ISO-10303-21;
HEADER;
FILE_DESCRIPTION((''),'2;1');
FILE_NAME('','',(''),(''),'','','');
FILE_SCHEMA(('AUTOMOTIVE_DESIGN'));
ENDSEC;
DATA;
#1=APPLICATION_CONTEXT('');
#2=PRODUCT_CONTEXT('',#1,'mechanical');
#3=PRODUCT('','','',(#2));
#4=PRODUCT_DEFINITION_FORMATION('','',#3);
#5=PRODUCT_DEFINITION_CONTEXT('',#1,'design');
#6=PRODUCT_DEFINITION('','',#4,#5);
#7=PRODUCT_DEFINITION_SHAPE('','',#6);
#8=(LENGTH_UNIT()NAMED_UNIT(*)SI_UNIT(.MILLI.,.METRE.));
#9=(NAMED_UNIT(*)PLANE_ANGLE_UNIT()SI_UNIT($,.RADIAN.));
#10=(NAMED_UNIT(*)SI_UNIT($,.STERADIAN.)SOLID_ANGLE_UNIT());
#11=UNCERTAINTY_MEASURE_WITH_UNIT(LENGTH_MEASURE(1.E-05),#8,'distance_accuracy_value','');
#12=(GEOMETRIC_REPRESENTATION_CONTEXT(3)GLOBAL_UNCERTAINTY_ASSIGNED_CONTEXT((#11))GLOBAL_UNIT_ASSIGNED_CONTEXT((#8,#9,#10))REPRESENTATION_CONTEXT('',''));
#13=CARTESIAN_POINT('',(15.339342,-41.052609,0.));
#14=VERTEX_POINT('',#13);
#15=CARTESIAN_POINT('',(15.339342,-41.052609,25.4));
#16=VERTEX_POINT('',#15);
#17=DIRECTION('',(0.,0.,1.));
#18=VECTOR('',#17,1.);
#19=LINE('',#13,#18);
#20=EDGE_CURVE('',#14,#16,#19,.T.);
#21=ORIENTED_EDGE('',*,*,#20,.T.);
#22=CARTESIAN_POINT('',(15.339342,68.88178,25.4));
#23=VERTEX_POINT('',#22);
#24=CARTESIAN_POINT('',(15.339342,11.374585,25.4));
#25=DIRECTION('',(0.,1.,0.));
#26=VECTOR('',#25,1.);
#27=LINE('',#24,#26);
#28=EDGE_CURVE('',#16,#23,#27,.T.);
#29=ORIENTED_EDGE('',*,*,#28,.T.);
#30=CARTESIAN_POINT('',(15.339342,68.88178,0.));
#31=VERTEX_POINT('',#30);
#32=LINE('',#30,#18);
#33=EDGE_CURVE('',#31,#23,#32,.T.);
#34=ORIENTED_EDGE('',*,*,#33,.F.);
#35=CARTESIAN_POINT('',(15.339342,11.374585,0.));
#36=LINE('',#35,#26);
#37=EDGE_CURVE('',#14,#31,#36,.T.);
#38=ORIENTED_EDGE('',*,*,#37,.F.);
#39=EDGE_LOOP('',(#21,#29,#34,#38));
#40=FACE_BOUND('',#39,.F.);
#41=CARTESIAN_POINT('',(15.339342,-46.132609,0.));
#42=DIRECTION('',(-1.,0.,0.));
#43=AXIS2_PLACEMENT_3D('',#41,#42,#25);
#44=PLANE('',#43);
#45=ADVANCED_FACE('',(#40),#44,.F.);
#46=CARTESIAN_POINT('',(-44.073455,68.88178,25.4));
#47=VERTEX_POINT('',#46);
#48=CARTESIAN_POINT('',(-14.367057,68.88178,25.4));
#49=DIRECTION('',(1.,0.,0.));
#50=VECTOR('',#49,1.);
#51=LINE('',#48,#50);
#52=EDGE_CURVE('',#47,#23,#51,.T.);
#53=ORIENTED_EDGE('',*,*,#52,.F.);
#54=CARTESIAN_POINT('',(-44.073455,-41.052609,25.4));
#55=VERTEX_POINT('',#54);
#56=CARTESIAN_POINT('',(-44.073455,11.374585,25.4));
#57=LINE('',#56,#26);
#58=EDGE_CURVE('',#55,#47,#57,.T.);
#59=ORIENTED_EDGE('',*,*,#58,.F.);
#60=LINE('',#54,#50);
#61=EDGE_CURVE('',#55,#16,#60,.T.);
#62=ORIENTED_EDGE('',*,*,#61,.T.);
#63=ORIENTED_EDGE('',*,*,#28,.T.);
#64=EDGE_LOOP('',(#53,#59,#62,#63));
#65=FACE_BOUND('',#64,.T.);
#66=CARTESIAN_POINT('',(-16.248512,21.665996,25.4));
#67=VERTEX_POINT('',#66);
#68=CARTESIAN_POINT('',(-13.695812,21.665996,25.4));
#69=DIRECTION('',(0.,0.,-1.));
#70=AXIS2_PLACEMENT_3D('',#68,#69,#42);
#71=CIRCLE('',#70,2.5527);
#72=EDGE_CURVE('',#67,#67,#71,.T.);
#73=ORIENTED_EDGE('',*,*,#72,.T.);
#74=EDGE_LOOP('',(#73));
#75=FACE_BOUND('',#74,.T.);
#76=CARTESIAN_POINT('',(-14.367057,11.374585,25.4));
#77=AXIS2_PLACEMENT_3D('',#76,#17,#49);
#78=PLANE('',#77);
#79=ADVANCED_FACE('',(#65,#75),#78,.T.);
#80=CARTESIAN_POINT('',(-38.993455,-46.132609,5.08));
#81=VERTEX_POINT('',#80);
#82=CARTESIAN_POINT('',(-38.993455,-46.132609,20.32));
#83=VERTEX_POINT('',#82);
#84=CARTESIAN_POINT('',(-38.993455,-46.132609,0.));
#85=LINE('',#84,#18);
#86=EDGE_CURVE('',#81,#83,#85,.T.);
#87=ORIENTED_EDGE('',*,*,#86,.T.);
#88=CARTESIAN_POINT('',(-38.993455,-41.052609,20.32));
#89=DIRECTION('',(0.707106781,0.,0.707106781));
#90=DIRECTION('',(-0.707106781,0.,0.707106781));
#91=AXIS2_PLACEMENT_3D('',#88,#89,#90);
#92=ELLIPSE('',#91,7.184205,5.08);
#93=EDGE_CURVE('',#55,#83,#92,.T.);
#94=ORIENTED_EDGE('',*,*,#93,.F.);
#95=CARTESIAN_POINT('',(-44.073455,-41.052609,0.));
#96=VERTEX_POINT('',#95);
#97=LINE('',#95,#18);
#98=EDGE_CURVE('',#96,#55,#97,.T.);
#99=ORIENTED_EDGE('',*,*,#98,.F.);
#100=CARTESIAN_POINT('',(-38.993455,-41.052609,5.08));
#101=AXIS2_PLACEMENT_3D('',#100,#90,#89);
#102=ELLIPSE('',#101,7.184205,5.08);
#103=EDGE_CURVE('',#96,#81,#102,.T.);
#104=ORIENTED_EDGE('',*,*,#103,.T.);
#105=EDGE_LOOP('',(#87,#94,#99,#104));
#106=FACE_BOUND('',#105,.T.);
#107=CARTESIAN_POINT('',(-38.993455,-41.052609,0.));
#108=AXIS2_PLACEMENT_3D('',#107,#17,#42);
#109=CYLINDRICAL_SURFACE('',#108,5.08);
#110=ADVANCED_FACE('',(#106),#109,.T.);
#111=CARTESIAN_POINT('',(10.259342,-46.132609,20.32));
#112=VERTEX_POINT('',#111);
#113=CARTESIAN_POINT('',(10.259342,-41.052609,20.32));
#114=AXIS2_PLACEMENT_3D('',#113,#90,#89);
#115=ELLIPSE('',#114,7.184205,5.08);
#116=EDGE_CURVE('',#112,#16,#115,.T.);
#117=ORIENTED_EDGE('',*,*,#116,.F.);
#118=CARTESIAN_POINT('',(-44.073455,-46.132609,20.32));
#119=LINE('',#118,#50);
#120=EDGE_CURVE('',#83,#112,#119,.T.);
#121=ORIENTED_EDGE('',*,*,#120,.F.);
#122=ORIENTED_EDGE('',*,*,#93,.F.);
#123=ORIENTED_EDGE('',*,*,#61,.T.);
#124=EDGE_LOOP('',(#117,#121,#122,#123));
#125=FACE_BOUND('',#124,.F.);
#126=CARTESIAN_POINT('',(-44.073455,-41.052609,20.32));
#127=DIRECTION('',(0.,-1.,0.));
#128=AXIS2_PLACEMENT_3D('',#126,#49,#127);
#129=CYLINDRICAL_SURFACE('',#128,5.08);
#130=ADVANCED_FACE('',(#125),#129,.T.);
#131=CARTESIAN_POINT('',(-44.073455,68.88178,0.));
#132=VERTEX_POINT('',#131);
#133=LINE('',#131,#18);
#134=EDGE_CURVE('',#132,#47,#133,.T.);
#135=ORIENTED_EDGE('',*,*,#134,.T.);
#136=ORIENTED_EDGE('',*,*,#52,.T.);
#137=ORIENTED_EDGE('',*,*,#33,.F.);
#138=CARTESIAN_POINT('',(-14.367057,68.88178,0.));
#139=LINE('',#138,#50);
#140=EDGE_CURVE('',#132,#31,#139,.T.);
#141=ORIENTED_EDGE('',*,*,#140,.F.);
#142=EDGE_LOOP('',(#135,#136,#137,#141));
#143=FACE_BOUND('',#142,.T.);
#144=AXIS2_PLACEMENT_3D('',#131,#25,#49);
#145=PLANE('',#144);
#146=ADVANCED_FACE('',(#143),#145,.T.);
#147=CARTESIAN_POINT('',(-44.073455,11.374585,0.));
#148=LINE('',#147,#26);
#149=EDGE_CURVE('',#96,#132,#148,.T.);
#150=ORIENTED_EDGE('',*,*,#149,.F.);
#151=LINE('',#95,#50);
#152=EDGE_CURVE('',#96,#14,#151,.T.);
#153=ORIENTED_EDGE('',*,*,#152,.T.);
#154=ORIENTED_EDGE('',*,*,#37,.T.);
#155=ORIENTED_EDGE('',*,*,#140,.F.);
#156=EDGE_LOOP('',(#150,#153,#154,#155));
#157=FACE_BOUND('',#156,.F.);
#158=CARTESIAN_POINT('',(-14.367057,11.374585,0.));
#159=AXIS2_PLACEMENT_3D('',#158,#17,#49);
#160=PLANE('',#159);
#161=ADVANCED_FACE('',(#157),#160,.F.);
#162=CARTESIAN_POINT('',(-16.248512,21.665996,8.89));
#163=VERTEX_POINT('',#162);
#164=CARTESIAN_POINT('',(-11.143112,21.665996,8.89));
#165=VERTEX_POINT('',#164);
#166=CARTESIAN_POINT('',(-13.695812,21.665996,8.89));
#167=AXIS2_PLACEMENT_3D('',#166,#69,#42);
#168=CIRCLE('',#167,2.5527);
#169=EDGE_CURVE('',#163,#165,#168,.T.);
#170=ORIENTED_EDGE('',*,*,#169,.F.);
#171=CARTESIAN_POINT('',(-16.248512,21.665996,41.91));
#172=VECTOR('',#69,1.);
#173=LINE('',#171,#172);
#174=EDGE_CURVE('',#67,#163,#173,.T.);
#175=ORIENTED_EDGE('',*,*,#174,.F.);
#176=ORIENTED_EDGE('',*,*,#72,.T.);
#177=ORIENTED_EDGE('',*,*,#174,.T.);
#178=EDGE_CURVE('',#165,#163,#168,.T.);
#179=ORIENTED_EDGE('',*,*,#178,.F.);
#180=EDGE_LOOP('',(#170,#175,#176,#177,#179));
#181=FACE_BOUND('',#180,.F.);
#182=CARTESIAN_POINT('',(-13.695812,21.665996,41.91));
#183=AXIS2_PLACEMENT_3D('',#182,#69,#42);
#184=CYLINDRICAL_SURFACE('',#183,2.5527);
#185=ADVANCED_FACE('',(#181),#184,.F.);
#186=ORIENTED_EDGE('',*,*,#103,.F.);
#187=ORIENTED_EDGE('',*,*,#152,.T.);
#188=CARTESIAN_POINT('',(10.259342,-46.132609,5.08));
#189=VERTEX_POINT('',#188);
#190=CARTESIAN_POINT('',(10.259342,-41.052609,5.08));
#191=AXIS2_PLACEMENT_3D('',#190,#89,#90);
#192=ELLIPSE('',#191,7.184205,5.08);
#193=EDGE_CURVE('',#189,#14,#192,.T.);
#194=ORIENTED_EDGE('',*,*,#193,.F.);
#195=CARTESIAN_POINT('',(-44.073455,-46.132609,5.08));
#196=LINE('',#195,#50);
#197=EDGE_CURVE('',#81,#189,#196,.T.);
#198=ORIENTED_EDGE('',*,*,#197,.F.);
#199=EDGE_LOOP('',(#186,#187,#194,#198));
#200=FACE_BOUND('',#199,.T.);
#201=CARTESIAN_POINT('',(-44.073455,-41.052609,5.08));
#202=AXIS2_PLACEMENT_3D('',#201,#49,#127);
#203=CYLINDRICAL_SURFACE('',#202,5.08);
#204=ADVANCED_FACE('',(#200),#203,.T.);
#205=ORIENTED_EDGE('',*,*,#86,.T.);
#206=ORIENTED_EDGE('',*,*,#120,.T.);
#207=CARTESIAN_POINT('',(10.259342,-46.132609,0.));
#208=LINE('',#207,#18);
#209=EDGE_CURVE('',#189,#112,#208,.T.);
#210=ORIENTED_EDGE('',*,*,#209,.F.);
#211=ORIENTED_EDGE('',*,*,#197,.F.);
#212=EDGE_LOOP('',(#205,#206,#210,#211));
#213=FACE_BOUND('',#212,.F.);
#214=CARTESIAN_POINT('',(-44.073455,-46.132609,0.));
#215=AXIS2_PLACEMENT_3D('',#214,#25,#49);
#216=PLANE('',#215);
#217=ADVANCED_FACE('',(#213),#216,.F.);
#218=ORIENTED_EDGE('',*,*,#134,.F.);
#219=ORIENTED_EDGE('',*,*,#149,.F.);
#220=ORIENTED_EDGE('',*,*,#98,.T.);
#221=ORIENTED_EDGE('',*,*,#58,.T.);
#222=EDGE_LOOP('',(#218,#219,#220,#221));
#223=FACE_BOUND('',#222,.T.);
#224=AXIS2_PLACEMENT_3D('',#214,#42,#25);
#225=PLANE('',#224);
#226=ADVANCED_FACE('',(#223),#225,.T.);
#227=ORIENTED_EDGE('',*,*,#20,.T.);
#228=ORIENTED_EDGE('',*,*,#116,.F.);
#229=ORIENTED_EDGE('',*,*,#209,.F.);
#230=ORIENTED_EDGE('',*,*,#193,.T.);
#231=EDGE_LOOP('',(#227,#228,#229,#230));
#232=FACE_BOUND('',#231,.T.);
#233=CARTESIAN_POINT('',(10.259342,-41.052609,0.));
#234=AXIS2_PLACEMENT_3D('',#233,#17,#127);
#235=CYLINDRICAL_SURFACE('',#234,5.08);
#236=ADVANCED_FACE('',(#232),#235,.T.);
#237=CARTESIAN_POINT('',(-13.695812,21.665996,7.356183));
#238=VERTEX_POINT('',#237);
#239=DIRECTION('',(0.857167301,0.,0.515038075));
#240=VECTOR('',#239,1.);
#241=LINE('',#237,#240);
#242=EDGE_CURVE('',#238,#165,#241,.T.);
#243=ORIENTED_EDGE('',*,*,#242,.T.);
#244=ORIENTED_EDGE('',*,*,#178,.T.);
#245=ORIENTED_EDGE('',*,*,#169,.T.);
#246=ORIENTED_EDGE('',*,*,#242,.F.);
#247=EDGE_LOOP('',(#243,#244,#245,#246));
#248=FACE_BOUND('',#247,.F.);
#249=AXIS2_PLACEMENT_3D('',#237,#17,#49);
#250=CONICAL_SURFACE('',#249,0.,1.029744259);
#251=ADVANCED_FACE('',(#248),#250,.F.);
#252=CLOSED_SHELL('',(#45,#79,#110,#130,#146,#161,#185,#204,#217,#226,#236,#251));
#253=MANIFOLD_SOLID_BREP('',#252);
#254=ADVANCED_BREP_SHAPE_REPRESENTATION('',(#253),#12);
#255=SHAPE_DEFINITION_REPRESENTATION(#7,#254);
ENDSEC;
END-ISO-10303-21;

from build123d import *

# Parameters (mm, degrees)
F0_W     = 59.4127969816
F0_H     = 115.0143891573
F1_DEPTH = 25.4
F2_R     = 5.08
F4_D     = 5.1054
F4_DEPTH = 16.51
F4_TIP   = 1.5338169022


with BuildPart() as f1:
    # F0 (on Top) → F1 (new body)
    with BuildSketch(Plane.XY):
        with Locations((-14.3670565449, 11.3745853305)):
            Rectangle(F0_W, F0_H)
    extrude(amount=F1_DEPTH)

    # F2
    f2_edges = [f1.edges().sort_by_distance(p)[0] for p in [
        (-44.073455, -46.132609, 12.7),
        (-14.367057, -46.132609, 25.4),
        (15.339342, -46.132609, 12.7),
        (-14.367057, -46.132609, 0),
    ]]
    fillet(f2_edges, radius=F2_R)

    # F4
    with Locations(Plane.XY.offset(25.4)):
        with Locations((-13.6958118528, 21.6659959406)):
            Hole(F4_D / 2, depth=F4_DEPTH)
            with Locations((0, 0, -(F4_DEPTH + F4_TIP / 2))):  # 118° drill point
                Cone(0, F4_D / 2, F4_TIP, mode=Mode.SUBTRACT)


solid = f1.part
